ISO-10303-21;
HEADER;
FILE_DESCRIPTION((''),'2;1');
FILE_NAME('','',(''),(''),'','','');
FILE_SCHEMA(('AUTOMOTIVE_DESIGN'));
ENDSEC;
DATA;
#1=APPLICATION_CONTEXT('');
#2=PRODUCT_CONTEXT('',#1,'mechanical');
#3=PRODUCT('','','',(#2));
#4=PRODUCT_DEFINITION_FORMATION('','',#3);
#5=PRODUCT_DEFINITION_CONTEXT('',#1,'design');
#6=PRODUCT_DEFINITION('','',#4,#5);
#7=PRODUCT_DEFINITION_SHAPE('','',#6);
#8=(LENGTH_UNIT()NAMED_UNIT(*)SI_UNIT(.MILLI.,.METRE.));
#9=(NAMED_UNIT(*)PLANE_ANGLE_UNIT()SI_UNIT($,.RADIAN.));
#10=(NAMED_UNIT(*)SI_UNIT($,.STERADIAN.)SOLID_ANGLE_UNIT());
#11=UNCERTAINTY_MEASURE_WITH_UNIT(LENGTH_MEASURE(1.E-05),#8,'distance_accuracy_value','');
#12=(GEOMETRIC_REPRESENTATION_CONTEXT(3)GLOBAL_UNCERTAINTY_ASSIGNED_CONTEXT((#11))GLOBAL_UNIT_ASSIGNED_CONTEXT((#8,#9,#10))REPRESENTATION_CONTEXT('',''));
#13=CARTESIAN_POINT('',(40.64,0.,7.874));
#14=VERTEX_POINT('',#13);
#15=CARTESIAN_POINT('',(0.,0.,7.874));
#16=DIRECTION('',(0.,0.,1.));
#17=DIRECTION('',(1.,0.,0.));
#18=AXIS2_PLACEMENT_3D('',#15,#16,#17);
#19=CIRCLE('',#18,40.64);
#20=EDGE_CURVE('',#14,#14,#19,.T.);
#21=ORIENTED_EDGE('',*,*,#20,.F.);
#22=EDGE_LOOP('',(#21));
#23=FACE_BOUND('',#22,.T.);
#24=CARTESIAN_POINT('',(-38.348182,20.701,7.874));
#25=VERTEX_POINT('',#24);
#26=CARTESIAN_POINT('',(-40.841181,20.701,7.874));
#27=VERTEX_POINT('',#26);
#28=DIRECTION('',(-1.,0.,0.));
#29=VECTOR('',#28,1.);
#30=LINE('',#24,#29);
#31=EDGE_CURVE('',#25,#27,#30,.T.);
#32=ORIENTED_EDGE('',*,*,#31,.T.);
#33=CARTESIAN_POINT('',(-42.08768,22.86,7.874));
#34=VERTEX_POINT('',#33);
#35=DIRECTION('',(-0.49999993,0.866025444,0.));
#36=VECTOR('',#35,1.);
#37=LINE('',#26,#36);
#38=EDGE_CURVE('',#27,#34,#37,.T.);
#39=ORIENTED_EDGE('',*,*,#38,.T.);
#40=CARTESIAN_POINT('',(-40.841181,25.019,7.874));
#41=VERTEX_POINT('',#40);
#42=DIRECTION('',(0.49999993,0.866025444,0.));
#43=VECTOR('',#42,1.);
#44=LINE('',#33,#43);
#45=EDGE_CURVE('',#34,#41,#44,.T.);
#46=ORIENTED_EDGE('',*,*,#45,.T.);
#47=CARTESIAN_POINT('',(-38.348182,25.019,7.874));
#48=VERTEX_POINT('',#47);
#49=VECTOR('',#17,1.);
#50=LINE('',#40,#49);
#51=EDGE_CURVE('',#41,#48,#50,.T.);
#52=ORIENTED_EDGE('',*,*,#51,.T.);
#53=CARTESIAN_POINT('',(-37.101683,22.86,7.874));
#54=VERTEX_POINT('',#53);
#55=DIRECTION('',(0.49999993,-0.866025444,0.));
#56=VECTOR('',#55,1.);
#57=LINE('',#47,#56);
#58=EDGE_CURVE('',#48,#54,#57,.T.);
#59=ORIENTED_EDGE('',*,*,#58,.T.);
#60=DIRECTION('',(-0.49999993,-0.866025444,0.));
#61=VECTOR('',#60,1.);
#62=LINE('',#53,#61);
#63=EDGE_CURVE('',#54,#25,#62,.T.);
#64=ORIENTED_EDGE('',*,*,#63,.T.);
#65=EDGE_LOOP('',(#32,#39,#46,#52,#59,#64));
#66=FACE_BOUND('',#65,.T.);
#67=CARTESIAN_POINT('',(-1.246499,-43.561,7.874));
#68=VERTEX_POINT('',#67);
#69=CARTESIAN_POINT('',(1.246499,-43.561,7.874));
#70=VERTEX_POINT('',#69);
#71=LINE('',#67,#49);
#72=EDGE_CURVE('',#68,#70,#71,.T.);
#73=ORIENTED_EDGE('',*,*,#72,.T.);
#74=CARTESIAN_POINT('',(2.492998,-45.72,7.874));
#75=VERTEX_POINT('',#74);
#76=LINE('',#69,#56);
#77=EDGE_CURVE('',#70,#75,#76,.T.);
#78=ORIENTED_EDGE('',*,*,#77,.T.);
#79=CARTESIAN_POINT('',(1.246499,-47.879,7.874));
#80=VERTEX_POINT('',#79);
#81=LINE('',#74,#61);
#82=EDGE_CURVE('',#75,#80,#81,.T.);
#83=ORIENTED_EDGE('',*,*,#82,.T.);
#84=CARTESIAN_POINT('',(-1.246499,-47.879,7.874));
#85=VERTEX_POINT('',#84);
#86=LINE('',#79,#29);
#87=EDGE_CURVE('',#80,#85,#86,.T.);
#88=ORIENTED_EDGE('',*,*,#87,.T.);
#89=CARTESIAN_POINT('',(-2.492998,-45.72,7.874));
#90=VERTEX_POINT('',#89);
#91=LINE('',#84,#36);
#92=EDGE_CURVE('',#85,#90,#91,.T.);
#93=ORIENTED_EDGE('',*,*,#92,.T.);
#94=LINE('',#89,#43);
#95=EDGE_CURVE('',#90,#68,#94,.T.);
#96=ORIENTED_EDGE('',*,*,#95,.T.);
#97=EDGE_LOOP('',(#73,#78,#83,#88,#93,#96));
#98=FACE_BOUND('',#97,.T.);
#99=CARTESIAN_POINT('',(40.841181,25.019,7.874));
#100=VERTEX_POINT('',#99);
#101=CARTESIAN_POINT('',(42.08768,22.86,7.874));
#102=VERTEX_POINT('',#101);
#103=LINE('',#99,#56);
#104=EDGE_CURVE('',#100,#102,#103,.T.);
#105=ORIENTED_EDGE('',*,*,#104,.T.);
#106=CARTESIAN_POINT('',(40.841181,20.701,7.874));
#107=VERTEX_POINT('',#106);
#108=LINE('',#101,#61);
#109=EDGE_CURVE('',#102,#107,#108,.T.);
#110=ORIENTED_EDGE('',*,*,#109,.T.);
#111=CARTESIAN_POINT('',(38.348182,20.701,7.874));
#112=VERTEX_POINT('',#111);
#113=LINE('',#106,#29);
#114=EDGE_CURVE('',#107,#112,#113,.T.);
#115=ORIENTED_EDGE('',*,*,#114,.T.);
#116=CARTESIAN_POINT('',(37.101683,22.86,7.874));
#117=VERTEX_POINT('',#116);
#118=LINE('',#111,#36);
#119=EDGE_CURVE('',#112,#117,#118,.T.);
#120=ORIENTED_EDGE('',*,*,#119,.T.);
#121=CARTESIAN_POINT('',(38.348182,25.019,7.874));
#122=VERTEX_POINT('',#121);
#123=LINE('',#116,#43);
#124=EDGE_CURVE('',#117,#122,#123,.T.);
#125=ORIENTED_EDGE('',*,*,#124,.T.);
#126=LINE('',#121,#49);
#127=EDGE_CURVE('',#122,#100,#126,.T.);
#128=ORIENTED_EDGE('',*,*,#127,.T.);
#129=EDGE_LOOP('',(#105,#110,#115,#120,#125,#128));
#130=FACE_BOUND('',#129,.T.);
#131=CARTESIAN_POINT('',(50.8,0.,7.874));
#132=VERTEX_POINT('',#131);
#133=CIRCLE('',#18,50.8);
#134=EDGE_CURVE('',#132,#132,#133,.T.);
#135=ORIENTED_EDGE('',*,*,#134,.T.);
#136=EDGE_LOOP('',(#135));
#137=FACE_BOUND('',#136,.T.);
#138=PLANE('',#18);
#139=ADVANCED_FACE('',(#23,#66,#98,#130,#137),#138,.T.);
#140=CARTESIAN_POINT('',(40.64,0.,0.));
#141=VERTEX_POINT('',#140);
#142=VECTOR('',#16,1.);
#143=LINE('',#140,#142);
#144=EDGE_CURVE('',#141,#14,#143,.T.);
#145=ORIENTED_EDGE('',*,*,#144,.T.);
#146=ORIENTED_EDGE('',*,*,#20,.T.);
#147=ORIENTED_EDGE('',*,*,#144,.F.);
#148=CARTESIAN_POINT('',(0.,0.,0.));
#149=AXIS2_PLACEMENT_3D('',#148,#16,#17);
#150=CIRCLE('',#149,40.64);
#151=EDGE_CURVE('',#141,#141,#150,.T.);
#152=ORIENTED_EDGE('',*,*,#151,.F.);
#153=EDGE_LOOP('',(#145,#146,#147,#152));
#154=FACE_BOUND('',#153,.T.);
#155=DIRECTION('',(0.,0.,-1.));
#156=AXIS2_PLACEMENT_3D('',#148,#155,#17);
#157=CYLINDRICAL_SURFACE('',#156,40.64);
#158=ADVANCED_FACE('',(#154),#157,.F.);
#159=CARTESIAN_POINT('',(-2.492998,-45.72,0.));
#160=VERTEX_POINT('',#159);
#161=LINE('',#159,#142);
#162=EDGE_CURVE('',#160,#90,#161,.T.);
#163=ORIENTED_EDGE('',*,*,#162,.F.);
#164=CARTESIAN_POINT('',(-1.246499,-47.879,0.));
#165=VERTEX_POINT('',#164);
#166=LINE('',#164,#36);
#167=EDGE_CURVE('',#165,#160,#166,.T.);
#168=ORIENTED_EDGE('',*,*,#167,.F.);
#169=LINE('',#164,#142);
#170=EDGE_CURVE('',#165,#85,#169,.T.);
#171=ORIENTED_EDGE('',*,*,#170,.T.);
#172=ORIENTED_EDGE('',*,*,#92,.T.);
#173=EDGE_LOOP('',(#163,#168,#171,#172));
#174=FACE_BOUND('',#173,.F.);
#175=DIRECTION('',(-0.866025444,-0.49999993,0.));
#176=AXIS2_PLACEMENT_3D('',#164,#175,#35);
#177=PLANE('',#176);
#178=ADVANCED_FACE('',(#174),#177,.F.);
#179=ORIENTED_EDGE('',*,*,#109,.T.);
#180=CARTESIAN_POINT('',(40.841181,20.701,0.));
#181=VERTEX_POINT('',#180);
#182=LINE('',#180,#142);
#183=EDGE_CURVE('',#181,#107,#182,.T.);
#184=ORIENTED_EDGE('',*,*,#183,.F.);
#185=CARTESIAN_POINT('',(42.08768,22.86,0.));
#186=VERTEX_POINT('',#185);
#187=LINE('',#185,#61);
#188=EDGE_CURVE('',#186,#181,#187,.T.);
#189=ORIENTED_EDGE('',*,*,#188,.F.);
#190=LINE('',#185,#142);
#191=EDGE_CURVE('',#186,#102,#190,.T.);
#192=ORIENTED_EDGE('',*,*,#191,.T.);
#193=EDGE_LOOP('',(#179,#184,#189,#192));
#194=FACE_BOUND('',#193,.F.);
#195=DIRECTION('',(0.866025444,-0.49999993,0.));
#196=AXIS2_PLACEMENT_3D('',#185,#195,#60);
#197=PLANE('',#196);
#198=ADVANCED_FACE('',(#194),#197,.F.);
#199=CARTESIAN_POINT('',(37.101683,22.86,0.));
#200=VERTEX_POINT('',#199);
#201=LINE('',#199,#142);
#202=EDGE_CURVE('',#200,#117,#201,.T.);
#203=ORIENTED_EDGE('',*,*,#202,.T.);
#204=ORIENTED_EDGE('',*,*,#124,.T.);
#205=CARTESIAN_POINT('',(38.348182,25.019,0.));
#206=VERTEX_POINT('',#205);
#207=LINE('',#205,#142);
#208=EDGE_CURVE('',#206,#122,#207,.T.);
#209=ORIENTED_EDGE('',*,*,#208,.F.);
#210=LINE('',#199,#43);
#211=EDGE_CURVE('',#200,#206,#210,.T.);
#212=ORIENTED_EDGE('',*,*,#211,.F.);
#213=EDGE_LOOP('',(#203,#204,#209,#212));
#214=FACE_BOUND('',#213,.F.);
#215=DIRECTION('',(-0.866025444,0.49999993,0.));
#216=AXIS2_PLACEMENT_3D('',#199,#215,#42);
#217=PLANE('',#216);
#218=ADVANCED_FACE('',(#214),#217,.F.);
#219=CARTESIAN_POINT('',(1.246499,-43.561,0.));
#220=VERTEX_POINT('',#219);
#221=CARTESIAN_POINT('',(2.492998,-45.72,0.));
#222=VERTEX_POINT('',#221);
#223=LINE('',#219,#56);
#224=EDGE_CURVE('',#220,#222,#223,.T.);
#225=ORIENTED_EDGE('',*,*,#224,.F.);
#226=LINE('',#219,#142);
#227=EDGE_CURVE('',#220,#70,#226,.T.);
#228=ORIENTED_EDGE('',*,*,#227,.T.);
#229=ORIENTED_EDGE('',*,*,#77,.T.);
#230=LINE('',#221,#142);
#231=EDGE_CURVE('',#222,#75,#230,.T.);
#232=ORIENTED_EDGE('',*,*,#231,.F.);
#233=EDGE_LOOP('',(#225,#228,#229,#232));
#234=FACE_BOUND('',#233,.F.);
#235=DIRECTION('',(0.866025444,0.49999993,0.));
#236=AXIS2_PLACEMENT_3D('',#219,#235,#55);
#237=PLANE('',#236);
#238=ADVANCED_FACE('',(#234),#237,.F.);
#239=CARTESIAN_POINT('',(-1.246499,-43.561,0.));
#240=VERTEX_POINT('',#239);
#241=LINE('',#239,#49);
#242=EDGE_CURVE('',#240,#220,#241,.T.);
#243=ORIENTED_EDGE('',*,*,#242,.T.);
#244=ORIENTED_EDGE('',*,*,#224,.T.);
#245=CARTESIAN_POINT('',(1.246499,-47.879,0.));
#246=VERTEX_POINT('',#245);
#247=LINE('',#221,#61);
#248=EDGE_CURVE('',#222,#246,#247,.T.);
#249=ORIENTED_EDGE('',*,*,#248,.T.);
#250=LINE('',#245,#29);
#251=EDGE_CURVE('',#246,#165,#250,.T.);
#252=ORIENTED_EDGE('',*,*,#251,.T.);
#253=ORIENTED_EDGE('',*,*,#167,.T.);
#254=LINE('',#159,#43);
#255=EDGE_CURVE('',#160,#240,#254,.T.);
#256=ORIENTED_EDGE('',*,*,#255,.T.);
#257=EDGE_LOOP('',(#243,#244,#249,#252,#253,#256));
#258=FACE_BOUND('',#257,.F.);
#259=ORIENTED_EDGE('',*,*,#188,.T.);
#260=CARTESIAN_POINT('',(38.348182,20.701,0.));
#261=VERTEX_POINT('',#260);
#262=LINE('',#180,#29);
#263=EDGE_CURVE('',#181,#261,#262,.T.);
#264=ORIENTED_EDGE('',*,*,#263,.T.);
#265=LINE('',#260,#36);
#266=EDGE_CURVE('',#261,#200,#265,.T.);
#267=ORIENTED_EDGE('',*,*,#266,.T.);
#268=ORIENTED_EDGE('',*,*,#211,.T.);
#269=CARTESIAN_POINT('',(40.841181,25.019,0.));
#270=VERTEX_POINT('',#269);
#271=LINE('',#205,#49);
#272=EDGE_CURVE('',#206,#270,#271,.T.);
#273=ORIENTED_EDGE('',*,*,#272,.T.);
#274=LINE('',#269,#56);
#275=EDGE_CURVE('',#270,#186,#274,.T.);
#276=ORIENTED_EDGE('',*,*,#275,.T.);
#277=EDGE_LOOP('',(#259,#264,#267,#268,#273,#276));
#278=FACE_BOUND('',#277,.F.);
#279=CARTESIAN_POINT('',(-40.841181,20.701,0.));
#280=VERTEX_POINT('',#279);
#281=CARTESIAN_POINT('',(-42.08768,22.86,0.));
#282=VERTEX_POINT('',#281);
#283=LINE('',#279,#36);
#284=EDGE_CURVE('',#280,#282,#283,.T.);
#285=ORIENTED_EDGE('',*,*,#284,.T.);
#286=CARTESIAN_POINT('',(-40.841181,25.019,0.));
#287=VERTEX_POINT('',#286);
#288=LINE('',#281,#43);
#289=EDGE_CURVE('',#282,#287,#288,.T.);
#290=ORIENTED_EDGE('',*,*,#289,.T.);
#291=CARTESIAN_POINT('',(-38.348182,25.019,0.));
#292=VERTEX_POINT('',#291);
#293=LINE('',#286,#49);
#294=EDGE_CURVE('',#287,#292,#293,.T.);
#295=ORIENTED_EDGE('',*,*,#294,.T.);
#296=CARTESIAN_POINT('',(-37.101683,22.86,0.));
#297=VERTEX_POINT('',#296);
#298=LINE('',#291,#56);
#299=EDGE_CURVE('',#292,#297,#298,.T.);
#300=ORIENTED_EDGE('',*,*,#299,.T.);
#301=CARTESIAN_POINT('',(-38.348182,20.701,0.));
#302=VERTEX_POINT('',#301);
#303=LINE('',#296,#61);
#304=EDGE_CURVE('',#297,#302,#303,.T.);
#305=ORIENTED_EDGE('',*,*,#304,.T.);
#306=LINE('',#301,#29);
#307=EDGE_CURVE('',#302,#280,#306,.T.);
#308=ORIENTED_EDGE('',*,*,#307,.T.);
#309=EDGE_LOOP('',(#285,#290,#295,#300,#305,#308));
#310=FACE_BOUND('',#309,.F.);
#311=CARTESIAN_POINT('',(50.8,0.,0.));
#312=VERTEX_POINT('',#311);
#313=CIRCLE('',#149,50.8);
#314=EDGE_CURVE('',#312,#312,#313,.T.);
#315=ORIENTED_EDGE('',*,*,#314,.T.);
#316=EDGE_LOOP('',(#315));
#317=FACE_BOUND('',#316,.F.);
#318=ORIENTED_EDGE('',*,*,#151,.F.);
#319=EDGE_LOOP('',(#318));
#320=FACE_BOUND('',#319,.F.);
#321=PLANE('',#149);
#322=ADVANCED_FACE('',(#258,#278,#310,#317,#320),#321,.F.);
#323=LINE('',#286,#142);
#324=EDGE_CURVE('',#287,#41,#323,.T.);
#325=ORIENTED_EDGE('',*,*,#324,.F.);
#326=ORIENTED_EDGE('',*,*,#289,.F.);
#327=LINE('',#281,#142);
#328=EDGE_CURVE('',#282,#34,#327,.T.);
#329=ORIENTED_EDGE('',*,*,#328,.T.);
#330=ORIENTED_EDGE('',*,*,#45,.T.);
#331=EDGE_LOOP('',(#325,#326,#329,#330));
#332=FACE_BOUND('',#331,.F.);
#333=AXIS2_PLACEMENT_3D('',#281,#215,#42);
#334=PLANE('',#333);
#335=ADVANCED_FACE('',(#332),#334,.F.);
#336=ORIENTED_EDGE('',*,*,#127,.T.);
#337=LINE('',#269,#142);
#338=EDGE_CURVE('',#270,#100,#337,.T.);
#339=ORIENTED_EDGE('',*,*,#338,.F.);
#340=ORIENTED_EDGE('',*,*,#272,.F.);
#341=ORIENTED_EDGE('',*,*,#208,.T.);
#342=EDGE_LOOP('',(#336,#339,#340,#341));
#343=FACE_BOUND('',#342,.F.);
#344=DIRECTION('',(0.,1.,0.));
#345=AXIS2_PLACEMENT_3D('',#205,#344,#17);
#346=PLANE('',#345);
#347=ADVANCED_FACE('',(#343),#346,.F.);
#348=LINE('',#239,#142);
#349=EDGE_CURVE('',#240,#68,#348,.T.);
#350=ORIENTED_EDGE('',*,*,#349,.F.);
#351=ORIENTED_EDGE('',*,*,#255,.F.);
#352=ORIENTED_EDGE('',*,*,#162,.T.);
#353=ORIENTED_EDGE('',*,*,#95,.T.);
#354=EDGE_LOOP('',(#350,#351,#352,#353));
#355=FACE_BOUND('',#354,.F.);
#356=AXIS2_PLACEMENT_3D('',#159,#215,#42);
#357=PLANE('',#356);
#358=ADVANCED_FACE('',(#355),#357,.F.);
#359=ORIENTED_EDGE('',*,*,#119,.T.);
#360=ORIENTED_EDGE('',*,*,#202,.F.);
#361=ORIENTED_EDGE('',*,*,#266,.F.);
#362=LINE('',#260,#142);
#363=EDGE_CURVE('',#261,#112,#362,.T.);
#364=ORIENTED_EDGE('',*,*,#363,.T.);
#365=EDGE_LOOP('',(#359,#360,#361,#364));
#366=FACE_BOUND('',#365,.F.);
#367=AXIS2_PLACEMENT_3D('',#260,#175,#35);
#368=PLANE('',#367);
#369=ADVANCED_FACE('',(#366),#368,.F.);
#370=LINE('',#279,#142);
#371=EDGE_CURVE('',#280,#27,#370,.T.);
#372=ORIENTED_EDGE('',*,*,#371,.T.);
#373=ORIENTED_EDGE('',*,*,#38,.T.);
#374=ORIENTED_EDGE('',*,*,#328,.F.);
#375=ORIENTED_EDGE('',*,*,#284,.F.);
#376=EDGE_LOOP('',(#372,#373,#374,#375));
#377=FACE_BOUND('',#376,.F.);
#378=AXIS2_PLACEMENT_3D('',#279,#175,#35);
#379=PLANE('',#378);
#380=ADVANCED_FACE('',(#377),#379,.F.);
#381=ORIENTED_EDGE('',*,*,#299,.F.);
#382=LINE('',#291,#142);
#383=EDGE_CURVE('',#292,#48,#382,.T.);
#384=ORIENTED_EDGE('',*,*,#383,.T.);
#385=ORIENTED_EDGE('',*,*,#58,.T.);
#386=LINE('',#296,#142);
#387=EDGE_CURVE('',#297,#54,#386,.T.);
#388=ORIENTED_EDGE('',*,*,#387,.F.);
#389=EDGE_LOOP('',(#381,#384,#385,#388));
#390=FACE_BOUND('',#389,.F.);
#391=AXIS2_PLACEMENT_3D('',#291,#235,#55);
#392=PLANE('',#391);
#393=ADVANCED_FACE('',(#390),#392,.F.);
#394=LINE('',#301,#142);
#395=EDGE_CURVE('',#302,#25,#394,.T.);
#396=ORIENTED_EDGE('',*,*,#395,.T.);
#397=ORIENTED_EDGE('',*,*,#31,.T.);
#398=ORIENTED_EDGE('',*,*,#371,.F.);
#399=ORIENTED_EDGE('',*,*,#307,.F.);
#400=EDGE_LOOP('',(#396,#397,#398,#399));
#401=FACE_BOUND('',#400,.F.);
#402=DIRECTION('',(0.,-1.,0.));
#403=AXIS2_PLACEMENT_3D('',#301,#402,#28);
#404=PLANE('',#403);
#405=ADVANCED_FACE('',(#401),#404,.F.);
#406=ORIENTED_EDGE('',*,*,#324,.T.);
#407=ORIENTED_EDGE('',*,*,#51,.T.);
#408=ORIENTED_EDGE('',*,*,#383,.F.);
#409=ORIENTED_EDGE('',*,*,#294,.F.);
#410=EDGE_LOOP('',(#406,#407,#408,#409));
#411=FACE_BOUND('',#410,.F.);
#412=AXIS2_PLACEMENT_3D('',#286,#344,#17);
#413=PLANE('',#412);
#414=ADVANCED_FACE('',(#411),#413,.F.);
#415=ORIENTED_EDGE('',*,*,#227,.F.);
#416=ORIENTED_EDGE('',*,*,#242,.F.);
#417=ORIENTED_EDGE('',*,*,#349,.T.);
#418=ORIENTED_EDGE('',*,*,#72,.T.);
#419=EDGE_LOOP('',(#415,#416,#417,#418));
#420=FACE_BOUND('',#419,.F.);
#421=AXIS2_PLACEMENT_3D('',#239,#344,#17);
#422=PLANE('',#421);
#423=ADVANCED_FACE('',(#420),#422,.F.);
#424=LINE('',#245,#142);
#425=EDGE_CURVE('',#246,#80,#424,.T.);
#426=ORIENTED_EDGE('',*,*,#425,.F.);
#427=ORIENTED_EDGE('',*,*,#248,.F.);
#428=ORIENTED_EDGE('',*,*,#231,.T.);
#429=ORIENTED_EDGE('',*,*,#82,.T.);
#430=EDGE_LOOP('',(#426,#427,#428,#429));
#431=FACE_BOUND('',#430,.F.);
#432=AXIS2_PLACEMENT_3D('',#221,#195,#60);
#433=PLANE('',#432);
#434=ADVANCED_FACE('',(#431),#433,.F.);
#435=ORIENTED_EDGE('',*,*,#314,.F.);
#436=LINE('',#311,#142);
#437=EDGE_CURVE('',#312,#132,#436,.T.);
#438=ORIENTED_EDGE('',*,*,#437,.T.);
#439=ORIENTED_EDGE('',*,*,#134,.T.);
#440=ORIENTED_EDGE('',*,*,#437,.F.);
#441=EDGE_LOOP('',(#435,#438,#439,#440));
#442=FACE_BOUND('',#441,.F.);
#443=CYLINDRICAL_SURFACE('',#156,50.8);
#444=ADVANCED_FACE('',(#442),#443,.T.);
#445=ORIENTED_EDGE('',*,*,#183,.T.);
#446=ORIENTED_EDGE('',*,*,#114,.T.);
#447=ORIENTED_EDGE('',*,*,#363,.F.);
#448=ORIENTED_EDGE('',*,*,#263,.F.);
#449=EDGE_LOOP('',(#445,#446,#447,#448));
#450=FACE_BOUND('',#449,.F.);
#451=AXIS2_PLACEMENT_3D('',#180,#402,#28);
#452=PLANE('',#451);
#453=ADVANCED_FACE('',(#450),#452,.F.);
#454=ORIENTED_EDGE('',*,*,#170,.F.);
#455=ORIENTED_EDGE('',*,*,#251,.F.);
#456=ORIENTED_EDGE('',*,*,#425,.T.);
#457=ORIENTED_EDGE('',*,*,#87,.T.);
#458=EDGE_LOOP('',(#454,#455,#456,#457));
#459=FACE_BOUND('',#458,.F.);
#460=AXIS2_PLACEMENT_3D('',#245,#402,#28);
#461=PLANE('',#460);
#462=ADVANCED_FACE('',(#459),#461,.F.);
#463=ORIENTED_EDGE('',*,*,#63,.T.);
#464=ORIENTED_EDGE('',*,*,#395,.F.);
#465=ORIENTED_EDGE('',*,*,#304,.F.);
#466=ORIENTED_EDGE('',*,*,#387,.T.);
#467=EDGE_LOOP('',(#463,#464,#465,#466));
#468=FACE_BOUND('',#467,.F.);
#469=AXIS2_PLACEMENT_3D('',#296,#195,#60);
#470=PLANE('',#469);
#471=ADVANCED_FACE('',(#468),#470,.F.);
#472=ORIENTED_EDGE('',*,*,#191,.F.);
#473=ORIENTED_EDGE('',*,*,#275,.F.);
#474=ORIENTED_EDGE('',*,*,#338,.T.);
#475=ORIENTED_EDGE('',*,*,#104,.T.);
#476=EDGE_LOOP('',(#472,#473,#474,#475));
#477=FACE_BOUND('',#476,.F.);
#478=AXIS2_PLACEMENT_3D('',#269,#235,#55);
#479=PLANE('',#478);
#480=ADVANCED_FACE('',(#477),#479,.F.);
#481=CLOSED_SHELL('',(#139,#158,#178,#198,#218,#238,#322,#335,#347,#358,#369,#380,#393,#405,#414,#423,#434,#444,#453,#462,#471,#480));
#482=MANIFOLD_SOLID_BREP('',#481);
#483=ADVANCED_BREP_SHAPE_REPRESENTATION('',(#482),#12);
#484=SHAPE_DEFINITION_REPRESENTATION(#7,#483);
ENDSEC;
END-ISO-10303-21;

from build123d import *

# Parameters (mm, degrees)
F0_R     = 50.8
F0_R_2   = 40.64
F1_DEPTH = 7.874


with BuildPart() as f1:
    # F0 (on Top) → F1 (new body)
    with BuildSketch(Plane.XY):
        Circle(F0_R)
        Polygon((2.492998, -45.72), (1.246499, -47.879), (-1.246499, -47.879), (-2.492998, -45.72), (-1.246499, -43.561), (1.246499, -43.561), align=None, mode=Mode.SUBTRACT)
        Circle(F0_R_2, mode=Mode.SUBTRACT)
        Polygon((-42.08768, 22.86), (-40.841181, 25.019), (-38.348182, 25.019), (-37.101683, 22.86), (-38.348182, 20.701), (-40.841181, 20.701), align=None, mode=Mode.SUBTRACT)
        Polygon((37.101683, 22.86), (38.348182, 25.019), (40.841181, 25.019), (42.08768, 22.86), (40.841181, 20.701), (38.348182, 20.701), align=None, mode=Mode.SUBTRACT)
    extrude(amount=F1_DEPTH)


solid = f1.part
